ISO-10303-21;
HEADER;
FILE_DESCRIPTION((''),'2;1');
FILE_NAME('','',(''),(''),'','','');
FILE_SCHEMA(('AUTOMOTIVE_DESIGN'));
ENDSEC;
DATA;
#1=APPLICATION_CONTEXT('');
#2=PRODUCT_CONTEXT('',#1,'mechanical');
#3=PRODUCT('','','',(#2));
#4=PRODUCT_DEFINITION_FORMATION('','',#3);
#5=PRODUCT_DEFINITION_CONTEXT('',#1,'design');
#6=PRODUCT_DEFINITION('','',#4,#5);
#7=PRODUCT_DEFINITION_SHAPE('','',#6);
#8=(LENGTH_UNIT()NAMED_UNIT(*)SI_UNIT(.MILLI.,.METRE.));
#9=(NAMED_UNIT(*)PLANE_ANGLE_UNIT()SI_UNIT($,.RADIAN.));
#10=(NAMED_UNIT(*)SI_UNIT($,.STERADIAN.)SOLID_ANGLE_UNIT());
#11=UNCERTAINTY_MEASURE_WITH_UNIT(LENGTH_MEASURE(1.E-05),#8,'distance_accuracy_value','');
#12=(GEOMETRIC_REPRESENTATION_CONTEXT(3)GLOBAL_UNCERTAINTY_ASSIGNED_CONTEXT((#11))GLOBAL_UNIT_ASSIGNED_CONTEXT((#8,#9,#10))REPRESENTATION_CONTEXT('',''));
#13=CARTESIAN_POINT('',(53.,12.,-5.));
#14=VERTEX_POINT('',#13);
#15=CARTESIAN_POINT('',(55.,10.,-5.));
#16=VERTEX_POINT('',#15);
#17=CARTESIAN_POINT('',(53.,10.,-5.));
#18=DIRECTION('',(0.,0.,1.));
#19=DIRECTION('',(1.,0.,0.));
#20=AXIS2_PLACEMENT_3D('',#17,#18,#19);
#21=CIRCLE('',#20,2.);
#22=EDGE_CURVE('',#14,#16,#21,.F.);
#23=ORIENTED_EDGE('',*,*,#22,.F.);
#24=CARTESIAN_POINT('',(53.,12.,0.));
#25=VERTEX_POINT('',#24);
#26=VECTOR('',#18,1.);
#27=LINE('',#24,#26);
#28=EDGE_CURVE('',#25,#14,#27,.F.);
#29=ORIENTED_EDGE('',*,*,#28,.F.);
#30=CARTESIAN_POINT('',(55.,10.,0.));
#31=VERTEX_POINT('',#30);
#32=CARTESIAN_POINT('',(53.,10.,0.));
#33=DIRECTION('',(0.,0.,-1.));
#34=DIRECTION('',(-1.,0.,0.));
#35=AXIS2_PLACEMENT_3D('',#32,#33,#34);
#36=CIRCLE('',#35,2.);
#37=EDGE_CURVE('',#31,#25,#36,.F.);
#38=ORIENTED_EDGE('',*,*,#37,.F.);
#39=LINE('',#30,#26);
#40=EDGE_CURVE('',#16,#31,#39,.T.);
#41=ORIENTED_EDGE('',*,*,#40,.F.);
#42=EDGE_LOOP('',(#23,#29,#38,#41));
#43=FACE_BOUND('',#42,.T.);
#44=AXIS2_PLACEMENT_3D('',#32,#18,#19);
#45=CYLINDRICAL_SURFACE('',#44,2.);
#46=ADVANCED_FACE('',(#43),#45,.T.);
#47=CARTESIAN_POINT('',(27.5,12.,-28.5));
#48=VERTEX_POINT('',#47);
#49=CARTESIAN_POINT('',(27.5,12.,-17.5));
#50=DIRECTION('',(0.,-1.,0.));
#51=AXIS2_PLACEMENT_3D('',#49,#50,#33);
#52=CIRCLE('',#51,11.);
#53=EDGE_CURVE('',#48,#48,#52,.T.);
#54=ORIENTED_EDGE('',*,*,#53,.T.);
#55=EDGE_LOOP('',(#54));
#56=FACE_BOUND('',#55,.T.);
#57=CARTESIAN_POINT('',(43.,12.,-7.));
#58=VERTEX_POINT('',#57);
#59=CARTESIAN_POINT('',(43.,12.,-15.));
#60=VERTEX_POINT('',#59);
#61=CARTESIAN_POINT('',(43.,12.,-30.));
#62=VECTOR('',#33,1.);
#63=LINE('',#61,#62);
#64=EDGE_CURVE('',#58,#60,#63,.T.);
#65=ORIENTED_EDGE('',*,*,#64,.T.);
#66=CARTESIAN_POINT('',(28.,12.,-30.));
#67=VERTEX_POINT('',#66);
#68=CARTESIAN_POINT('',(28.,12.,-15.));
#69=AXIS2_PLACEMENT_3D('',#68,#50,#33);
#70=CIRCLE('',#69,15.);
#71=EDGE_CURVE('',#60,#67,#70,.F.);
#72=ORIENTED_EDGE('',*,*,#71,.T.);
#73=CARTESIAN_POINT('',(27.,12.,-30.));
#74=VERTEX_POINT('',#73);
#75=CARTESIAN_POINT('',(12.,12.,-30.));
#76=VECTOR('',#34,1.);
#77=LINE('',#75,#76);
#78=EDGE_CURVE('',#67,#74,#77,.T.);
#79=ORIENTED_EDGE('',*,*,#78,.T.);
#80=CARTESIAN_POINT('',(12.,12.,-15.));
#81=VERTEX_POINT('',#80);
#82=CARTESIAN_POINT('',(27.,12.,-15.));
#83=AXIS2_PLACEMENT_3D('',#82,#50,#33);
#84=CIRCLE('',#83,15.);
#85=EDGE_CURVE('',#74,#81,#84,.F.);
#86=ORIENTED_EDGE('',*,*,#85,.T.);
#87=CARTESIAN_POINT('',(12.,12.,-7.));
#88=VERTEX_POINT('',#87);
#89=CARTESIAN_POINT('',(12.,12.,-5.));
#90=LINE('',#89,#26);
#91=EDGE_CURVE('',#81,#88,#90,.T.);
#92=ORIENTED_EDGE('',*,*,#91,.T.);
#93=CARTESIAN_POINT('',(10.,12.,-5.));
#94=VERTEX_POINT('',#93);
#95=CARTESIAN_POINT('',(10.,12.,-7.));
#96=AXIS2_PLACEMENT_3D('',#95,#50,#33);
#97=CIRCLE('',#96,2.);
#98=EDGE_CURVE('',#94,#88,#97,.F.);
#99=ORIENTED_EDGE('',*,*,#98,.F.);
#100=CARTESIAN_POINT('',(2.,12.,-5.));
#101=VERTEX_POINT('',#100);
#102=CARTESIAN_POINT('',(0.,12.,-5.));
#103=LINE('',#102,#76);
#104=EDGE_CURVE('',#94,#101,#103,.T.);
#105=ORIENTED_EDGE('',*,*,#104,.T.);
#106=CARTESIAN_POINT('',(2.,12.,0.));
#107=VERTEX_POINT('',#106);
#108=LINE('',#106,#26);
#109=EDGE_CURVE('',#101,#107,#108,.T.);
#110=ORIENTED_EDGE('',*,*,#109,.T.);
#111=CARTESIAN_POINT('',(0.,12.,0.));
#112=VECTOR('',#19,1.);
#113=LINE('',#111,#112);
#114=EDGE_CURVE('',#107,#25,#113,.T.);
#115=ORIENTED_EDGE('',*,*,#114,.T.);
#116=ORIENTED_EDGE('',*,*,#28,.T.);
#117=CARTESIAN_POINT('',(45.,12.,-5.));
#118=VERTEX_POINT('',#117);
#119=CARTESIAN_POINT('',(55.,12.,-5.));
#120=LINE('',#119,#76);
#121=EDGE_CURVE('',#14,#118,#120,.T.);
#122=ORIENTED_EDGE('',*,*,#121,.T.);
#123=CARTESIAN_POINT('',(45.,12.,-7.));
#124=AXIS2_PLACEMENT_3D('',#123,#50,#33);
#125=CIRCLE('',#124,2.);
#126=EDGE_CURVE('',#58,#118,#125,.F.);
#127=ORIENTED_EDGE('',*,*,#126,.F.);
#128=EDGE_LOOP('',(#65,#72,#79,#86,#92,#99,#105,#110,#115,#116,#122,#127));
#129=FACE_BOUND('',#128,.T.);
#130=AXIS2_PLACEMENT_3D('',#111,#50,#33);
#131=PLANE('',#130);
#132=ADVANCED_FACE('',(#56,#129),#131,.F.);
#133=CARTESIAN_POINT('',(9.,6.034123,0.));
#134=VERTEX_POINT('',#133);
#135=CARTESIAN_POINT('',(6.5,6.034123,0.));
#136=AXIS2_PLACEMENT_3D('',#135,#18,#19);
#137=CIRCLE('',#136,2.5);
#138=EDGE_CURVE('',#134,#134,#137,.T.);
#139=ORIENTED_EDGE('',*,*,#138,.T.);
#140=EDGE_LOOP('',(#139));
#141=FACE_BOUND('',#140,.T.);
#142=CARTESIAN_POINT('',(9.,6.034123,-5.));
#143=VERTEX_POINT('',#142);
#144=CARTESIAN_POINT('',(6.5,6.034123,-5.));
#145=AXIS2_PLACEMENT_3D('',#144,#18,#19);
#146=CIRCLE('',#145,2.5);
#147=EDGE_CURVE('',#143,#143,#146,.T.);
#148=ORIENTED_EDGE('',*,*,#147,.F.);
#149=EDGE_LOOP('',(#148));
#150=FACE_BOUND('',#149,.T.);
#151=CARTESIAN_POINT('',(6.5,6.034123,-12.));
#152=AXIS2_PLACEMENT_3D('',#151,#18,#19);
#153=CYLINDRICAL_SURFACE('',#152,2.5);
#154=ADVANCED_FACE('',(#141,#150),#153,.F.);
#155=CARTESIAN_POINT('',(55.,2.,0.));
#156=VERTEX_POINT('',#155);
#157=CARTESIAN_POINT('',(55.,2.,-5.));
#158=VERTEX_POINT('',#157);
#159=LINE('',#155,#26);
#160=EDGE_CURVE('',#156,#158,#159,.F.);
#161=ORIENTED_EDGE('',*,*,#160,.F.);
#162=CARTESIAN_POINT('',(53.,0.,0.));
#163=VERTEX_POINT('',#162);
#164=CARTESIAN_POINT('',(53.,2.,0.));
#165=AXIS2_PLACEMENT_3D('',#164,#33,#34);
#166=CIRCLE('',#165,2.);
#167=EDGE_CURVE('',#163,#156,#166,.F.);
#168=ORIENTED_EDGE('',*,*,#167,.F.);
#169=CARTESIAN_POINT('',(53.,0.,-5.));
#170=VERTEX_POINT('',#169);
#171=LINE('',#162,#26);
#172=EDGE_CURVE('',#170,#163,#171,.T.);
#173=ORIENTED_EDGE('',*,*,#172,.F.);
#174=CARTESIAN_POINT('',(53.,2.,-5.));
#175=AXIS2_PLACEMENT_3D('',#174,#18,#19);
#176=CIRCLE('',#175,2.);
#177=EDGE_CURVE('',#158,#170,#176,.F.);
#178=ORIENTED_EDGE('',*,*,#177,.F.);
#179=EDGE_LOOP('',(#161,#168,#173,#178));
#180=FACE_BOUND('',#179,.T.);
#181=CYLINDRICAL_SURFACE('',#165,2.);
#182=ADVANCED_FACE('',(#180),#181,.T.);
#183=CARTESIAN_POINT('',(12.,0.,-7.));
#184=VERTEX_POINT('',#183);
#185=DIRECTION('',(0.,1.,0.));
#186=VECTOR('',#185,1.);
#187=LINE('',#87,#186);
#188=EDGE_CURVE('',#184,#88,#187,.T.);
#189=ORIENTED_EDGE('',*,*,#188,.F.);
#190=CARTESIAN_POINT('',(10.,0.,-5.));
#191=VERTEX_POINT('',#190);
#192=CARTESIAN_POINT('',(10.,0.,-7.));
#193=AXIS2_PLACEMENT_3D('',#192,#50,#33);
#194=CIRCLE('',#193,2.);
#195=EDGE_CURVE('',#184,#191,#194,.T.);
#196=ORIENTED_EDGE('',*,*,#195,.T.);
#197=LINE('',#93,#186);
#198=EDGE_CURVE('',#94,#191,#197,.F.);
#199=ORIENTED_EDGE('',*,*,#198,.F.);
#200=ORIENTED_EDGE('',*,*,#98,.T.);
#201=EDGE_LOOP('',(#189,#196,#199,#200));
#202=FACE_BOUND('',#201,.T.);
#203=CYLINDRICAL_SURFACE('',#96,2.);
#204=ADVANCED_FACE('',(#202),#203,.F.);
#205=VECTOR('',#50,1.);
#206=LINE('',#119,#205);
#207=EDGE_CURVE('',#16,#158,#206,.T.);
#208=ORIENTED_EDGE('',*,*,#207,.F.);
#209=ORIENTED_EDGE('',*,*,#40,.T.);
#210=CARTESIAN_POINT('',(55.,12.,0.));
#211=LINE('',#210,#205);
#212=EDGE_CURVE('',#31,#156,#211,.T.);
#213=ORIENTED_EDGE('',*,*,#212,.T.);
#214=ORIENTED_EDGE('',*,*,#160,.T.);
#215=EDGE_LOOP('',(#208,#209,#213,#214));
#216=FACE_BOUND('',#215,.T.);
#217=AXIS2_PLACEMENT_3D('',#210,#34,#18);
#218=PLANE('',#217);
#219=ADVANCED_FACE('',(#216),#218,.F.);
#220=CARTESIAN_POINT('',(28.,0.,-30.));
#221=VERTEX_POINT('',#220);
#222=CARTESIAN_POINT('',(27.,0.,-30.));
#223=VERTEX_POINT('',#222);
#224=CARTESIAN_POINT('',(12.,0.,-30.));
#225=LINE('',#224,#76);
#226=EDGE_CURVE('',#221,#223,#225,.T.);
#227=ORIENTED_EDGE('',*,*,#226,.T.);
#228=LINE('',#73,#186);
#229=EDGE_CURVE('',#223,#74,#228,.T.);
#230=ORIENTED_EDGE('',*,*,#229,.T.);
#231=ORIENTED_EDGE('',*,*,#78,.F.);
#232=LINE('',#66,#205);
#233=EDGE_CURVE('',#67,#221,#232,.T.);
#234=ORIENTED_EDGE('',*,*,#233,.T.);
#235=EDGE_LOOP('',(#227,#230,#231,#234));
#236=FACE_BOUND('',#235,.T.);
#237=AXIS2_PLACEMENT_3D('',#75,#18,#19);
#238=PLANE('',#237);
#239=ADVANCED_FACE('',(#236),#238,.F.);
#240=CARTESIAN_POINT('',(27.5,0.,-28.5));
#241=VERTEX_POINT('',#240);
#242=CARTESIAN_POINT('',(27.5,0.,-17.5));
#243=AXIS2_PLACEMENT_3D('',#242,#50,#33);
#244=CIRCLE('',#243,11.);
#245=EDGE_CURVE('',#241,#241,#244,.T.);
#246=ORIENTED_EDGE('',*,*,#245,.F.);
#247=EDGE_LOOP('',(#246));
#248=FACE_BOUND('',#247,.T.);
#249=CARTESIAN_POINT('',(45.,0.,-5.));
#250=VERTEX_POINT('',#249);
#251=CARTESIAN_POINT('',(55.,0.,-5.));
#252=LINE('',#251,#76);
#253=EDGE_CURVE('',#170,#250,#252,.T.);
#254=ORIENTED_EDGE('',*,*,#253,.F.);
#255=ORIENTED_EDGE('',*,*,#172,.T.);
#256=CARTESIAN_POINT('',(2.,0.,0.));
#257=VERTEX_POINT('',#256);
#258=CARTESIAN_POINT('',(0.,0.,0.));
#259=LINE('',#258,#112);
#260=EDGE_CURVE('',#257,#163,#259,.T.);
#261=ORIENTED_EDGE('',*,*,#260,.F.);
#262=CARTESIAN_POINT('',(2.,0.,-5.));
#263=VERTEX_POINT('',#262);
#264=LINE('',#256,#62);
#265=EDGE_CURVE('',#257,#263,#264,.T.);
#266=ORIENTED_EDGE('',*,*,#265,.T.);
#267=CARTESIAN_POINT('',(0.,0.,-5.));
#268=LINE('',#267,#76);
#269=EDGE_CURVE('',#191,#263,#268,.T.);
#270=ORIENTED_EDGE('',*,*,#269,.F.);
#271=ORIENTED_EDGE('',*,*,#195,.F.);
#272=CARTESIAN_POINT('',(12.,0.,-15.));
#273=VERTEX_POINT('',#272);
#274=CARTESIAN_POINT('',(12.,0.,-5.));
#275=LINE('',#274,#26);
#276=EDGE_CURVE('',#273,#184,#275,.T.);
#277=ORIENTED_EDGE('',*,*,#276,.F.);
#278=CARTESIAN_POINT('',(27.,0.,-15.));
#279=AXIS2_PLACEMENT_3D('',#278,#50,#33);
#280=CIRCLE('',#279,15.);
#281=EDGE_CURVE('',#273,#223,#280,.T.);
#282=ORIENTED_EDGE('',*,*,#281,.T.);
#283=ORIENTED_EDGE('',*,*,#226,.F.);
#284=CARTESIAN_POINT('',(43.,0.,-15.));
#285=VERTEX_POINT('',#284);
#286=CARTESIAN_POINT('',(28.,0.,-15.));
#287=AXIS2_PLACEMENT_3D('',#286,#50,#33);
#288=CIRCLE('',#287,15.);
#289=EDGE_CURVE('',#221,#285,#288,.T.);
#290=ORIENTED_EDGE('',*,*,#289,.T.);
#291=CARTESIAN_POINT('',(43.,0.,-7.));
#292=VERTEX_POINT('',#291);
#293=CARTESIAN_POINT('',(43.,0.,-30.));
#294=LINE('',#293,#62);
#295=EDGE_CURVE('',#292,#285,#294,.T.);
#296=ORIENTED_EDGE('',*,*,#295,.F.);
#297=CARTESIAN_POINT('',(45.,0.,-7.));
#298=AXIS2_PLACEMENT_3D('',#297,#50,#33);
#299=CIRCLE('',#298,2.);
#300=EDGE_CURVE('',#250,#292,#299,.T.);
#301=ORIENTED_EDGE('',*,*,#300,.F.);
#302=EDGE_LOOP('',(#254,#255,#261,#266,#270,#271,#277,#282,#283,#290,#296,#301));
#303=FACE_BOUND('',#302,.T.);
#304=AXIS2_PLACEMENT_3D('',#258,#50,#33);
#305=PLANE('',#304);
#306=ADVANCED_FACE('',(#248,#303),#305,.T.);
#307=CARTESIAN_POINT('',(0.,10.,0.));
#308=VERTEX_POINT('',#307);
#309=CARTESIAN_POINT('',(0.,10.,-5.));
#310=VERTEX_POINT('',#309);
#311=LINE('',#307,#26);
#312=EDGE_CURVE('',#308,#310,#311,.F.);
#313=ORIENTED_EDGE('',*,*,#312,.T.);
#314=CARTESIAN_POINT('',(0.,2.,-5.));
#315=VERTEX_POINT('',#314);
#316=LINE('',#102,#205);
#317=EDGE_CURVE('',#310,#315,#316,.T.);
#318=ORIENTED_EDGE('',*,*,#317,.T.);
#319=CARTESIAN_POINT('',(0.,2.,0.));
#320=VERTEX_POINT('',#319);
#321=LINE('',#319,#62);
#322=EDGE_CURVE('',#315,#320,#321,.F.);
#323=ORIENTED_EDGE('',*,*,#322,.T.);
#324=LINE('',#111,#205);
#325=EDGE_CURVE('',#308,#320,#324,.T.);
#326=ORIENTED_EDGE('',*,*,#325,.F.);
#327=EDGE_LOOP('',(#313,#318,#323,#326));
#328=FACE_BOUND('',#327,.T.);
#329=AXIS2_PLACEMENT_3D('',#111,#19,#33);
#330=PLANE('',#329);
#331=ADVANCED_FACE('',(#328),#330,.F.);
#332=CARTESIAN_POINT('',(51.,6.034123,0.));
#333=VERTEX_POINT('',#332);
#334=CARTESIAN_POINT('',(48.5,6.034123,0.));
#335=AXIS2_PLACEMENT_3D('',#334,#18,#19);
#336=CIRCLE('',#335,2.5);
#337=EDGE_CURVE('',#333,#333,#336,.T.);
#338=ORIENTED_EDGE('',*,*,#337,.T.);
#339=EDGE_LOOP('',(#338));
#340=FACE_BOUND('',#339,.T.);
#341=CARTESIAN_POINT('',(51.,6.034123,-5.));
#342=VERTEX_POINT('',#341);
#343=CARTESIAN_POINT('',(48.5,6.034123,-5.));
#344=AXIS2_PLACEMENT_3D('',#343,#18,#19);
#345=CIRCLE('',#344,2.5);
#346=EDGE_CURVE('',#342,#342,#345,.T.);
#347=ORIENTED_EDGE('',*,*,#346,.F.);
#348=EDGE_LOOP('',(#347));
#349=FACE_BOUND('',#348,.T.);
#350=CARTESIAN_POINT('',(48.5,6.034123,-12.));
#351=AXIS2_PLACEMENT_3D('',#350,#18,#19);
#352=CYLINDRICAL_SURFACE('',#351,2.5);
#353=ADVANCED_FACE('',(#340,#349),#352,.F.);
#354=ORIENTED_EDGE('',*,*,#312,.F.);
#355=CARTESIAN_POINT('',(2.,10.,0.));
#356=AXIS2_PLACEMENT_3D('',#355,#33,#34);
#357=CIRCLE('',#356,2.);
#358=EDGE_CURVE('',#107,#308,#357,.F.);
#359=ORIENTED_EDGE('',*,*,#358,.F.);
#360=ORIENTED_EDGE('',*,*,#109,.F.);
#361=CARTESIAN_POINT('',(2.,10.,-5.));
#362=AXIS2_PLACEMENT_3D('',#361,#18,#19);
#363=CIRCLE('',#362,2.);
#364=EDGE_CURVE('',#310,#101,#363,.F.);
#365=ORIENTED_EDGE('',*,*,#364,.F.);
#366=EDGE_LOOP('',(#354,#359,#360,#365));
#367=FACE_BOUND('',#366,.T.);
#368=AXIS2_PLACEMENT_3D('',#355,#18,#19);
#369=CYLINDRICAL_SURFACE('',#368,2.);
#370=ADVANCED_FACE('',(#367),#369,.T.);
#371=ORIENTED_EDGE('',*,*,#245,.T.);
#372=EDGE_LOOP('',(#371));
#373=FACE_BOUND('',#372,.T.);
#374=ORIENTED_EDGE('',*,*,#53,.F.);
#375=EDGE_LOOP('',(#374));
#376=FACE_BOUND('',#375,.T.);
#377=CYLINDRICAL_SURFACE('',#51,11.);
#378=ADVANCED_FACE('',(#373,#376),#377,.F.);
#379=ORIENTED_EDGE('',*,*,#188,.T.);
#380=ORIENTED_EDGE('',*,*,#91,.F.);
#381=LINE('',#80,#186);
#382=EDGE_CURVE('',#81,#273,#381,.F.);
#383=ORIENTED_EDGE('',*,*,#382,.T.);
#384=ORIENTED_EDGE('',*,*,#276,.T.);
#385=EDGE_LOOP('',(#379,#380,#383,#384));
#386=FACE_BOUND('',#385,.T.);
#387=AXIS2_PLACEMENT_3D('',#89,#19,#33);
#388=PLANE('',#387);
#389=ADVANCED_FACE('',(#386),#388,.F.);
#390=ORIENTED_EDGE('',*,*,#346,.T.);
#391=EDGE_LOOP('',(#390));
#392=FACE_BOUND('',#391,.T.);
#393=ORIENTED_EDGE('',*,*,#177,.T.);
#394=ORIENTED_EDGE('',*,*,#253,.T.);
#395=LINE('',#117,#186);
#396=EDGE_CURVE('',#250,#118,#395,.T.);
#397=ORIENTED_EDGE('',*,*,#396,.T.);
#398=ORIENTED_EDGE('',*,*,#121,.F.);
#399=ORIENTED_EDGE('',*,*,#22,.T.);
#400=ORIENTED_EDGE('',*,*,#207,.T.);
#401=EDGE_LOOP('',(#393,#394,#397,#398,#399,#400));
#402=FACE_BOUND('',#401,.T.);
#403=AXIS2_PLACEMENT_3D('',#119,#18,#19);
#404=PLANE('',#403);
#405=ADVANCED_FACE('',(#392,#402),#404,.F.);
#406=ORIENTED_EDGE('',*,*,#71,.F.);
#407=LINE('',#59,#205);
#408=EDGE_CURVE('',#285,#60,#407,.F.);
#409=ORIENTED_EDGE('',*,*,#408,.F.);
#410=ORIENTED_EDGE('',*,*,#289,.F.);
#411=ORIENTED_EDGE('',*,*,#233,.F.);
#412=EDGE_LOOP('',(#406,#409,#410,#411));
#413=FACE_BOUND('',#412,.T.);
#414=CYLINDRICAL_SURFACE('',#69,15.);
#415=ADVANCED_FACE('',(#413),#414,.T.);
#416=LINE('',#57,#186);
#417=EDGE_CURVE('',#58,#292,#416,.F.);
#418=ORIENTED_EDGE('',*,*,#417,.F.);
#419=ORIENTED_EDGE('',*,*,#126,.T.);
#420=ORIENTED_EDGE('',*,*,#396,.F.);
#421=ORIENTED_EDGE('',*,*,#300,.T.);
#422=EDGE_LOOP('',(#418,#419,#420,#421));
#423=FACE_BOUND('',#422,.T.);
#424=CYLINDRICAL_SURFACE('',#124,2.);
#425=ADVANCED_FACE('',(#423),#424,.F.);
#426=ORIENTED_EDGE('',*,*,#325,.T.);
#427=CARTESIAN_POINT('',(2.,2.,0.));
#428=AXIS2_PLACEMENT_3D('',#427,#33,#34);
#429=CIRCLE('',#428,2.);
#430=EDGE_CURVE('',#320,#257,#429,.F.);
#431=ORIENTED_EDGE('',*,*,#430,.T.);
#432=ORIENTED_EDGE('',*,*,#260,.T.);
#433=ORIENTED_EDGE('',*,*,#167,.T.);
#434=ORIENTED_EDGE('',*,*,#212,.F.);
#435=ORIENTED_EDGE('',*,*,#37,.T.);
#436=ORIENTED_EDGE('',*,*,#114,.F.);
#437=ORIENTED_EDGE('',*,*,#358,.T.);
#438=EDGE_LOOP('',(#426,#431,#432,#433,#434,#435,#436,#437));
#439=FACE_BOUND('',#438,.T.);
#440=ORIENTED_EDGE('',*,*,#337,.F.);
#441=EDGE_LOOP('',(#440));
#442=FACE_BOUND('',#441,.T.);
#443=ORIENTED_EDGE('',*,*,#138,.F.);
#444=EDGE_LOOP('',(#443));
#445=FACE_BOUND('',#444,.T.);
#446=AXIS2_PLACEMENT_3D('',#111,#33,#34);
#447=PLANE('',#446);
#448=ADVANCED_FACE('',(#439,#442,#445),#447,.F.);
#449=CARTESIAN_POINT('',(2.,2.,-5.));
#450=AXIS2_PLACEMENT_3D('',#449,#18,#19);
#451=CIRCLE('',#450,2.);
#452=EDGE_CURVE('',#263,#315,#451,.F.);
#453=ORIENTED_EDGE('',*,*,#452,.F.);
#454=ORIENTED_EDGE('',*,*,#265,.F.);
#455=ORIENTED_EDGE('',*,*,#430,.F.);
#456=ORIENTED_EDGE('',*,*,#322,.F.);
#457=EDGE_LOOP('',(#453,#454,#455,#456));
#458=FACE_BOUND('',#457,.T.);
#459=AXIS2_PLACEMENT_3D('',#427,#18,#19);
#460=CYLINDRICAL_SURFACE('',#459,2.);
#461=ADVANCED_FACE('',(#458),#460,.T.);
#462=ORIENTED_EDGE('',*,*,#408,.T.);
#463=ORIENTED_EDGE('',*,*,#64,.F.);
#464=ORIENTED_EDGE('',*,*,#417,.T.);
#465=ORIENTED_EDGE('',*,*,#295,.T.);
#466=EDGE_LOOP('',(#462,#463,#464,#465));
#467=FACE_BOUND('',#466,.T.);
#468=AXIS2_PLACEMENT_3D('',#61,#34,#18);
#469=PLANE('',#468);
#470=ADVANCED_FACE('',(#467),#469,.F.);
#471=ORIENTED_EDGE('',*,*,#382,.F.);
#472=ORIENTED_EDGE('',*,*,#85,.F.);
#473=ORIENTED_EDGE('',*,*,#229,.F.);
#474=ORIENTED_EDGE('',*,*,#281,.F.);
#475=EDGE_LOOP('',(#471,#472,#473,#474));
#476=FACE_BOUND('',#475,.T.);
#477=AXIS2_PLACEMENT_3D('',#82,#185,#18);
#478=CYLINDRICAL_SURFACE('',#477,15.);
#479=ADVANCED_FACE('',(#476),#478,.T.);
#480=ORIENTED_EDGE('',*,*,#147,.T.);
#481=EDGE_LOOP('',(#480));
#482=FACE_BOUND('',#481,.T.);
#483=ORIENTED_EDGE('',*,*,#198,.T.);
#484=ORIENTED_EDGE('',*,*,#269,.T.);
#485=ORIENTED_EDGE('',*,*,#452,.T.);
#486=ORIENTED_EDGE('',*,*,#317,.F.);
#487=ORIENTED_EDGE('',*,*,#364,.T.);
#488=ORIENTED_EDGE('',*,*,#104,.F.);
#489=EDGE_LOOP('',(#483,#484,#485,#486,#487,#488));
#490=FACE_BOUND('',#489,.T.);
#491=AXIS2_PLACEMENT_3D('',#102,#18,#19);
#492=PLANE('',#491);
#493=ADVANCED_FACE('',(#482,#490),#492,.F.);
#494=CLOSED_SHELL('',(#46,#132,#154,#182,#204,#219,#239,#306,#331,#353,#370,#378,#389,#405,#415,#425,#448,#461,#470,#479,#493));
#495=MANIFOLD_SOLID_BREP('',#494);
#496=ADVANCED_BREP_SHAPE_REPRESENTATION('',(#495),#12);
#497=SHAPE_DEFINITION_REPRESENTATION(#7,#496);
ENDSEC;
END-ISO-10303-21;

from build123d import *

# Parameters (mm, degrees)
BOSS_EXTRUDE1_DEPTH = 12
SKETCH3_R           = 11
CUT_EXTRUDE1_DEPTH  = 12
FILLET1_R           = 15
FILLET2_R           = 15
FILLET3_R           = 2
FILLET4_R           = 2
SKETCH4_R           = 2.5
CUT_EXTRUDE2_DEPTH  = 12
FILLET5_R           = 2
FILLET6_R           = 2
FILLET7_R           = 2
FILLET8_R           = 2


with BuildPart() as part:
    # Sketch2 → Boss-Extrude1 (new body)
    with BuildSketch(Plane(origin=(0, 0, 0), x_dir=(1, 0, 0), z_dir=(0, 1, 0))):
        Polygon((0, 0), (55, 0), (55, 5), (43, 5), (43, 30), (12, 30), (12, 5), (0, 5), align=None)
    extrude(amount=BOSS_EXTRUDE1_DEPTH)

    # Sketch3 → Cut-Extrude1 (cut)
    with BuildSketch(Plane.XZ):
        with Locations(Location((27.5, -17.5, 0), (0, 0, 270))):
            Circle(SKETCH3_R)
    extrude(amount=-CUT_EXTRUDE1_DEPTH, mode=Mode.SUBTRACT)

    # Fillet1
    fillet1_edges = [part.edges().sort_by_distance(p)[0] for p in [
        (43, 6, -30),
    ]]
    fillet(fillet1_edges, radius=FILLET1_R)

    # Fillet2
    fillet2_edges = [part.edges().sort_by_distance(p)[0] for p in [
        (12, 6, -30),
    ]]
    fillet(fillet2_edges, radius=FILLET2_R)

    # Fillet3
    fillet3_edges = [part.edges().sort_by_distance(p)[0] for p in [
        (12, 6, -5),
    ]]
    fillet(fillet3_edges, radius=FILLET3_R)

    # Fillet4
    fillet4_edges = [part.edges().sort_by_distance(p)[0] for p in [
        (43, 6, -5),
    ]]
    fillet(fillet4_edges, radius=FILLET4_R)

    # Sketch4 → Cut-Extrude2 (cut)
    with BuildSketch(Plane.XY):
        with Locations((48.5, 6.034122725)):
            Circle(SKETCH4_R)
        with Locations((6.5, 6.034122725)):
            Circle(SKETCH4_R)
    extrude(amount=-CUT_EXTRUDE2_DEPTH, mode=Mode.SUBTRACT)

    # Fillet5
    fillet5_edges = [part.edges().sort_by_distance(p)[0] for p in [
        (55, 0, -2.5),
    ]]
    fillet(fillet5_edges, radius=FILLET5_R)

    # Fillet6
    fillet6_edges = [part.edges().sort_by_distance(p)[0] for p in [
        (55, 12, -2.5),
    ]]
    fillet(fillet6_edges, radius=FILLET6_R)

    # Fillet7
    fillet7_edges = [part.edges().sort_by_distance(p)[0] for p in [
        (0, 12, -2.5),
    ]]
    fillet(fillet7_edges, radius=FILLET7_R)

    # Fillet8
    fillet8_edges = [part.edges().sort_by_distance(p)[0] for p in [
        (0, 0, -2.5),
    ]]
    fillet(fillet8_edges, radius=FILLET8_R)


solid = part.part
